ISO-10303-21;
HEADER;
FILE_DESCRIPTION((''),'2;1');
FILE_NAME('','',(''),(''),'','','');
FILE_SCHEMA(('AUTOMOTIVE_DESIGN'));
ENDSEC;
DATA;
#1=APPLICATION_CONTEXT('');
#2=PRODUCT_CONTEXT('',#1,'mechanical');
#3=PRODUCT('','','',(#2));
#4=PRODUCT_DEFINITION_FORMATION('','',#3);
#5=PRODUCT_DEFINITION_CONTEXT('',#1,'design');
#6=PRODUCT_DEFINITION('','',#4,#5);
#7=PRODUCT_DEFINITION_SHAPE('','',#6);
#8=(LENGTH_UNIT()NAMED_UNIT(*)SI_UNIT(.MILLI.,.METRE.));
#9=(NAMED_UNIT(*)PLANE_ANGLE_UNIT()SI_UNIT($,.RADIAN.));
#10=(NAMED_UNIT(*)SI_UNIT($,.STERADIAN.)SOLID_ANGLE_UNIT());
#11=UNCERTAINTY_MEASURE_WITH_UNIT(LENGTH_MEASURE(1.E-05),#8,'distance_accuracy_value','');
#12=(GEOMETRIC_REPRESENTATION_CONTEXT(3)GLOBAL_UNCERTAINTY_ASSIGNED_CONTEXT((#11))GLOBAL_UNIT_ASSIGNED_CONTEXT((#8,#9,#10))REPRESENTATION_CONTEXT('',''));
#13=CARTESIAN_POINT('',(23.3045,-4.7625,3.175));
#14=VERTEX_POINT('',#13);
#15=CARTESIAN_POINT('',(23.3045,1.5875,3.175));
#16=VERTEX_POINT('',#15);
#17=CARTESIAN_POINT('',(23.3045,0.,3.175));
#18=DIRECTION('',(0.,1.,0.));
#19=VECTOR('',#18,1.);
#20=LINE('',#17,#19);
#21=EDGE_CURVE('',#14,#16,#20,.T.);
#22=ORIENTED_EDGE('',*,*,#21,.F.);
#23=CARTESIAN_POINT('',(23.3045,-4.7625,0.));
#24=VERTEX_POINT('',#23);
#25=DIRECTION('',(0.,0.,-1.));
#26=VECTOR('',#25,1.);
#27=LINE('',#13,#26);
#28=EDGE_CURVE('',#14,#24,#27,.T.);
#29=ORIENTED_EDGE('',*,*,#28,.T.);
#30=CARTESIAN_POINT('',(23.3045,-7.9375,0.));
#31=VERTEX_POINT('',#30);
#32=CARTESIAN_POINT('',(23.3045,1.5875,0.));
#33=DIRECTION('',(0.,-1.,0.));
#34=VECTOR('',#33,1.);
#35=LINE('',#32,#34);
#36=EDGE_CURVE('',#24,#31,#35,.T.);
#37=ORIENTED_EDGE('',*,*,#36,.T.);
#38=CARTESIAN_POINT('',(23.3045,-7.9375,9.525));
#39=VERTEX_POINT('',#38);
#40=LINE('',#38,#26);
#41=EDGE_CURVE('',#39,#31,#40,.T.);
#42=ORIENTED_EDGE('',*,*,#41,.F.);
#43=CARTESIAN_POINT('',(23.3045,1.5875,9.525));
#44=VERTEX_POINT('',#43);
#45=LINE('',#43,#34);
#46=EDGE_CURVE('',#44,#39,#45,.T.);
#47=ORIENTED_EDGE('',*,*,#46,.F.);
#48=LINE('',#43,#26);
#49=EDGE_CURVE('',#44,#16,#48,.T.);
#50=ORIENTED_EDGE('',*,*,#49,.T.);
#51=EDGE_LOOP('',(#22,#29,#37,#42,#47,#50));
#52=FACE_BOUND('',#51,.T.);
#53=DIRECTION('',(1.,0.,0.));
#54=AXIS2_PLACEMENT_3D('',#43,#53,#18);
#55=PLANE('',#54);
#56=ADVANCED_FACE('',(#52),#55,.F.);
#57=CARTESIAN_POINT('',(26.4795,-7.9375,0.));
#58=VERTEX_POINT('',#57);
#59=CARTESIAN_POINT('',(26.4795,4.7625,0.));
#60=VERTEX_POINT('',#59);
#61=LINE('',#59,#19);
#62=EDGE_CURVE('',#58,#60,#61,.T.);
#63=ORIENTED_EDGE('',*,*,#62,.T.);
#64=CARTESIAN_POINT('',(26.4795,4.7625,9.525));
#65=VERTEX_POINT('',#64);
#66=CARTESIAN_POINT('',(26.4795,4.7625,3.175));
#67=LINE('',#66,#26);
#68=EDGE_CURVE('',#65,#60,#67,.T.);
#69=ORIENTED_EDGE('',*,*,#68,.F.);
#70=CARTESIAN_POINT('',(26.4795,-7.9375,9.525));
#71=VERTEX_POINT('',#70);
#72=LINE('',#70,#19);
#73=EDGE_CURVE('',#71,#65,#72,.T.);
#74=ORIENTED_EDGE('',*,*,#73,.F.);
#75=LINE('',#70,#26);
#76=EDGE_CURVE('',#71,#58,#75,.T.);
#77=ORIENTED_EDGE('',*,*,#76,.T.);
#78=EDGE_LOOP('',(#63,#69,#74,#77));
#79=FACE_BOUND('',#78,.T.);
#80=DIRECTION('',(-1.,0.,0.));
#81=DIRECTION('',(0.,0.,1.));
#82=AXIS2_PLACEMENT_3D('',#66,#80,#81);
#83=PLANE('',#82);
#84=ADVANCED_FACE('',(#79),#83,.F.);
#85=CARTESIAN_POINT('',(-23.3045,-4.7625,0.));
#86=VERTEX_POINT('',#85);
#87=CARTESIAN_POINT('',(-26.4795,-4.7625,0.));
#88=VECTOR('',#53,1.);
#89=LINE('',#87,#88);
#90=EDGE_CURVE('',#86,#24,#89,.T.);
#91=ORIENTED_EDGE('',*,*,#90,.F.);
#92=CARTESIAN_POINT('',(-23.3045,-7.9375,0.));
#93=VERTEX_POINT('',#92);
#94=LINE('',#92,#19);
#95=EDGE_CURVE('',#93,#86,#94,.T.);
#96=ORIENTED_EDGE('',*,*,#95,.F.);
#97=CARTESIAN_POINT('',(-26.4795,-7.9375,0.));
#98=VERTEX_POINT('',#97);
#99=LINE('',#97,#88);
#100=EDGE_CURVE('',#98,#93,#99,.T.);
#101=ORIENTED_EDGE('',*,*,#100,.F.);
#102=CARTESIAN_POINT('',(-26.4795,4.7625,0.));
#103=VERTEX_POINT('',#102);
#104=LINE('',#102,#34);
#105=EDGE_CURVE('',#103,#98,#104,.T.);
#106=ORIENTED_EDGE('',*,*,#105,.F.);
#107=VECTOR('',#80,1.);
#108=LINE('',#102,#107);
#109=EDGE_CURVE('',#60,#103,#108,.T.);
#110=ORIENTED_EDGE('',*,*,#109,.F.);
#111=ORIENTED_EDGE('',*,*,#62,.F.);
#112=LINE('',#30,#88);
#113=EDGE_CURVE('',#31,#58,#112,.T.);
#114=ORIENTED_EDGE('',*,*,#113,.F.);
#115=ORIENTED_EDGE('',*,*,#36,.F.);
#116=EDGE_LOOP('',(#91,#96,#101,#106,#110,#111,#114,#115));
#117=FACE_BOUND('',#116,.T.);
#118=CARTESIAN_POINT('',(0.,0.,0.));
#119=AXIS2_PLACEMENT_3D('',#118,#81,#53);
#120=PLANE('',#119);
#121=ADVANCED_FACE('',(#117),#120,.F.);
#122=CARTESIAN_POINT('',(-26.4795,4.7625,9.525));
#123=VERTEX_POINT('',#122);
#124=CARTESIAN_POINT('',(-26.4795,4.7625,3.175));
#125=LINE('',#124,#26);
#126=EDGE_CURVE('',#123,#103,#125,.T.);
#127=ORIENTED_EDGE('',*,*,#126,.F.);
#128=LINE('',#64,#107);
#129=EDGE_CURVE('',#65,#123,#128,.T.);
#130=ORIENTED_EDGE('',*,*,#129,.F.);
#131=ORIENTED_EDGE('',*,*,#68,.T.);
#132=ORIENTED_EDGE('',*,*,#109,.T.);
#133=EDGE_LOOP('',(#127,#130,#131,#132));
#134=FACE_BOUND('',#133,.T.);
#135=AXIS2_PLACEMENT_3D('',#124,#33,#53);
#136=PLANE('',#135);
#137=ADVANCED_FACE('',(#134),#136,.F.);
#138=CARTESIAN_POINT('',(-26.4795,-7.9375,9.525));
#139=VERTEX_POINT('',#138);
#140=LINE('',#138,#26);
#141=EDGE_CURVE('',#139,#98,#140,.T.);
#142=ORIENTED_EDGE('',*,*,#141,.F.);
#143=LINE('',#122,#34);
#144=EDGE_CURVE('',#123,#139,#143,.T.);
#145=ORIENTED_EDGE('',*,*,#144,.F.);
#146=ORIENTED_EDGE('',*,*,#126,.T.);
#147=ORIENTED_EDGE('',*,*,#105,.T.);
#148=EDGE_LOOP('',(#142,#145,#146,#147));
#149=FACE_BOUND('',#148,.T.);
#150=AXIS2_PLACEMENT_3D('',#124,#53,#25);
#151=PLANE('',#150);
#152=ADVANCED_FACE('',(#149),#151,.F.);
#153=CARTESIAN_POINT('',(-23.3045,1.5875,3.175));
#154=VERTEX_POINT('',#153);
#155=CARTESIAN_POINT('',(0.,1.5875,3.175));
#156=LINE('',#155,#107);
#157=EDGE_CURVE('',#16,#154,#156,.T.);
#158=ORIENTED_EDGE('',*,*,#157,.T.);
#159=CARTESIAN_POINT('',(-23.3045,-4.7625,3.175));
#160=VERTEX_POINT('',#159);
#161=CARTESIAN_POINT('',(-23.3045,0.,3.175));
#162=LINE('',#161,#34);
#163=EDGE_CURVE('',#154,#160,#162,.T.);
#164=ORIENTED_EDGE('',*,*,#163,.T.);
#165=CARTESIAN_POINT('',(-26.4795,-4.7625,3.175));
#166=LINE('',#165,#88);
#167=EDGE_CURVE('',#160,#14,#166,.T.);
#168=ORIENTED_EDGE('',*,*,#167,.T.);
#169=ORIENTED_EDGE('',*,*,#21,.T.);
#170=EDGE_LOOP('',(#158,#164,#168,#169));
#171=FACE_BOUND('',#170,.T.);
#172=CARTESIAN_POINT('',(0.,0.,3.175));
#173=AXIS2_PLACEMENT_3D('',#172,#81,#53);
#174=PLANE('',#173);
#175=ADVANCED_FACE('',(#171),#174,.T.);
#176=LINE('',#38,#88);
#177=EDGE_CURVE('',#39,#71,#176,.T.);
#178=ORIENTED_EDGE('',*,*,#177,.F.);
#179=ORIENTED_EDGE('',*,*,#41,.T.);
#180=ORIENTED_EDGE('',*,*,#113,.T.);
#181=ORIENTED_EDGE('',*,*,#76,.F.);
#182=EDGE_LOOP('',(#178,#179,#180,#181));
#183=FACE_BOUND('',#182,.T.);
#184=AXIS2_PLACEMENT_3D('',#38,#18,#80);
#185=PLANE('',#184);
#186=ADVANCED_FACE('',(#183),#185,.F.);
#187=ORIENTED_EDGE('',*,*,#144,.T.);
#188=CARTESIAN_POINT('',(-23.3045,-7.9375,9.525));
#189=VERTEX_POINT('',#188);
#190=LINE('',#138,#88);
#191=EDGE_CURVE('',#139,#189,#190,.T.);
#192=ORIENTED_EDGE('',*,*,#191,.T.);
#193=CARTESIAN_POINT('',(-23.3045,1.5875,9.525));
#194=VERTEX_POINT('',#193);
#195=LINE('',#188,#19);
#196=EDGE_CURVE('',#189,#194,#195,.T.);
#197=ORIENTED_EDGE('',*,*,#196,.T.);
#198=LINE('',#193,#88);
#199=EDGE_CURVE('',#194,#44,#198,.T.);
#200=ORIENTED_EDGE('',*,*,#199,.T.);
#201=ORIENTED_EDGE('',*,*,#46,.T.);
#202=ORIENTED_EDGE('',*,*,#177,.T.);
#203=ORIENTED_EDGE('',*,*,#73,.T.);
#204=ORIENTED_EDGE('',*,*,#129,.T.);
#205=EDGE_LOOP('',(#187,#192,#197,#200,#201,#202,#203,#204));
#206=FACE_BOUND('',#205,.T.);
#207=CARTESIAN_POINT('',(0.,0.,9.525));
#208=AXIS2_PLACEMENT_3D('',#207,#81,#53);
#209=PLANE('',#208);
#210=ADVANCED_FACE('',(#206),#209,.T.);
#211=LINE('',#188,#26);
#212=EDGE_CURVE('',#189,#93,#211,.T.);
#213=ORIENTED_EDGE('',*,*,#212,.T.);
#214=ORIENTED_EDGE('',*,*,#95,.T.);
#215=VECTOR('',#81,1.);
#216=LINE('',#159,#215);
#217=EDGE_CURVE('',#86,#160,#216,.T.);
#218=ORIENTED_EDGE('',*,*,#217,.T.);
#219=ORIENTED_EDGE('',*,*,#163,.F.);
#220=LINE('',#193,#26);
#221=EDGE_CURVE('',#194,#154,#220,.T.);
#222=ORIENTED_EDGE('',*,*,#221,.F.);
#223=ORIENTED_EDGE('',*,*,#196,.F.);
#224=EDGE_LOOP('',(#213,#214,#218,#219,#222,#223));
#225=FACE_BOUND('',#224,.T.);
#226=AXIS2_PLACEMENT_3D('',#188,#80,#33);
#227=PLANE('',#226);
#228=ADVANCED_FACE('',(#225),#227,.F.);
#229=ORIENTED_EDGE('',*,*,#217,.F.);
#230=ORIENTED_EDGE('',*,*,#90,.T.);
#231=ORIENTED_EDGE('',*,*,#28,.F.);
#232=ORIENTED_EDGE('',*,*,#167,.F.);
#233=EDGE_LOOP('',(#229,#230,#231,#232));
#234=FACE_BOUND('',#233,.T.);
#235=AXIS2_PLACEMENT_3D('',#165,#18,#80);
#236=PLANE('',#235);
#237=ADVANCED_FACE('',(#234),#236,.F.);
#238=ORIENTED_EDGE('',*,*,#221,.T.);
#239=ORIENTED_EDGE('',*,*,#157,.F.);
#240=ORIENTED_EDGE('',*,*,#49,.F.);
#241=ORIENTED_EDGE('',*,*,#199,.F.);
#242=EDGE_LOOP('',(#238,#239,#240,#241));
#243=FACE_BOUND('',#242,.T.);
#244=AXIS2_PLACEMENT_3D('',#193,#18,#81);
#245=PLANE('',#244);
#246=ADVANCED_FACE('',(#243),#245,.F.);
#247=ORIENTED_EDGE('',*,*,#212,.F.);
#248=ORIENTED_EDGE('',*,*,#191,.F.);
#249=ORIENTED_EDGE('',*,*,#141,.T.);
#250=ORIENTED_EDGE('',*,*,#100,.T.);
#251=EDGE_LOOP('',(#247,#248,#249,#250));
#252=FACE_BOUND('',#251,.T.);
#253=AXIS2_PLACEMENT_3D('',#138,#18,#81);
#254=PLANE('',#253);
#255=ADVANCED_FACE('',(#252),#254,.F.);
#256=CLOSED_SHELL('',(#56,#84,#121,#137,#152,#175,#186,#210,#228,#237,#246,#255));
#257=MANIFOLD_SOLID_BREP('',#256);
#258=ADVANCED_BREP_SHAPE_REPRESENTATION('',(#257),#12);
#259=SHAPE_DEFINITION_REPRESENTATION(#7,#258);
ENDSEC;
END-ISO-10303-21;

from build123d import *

# Parameters (mm, degrees)
SKETCH1_W           = 52.959
SKETCH1_H           = 9.525
BOSS_EXTRUDE3_DEPTH = 3.175
BOSS_EXTRUDE4_DEPTH = 9.525


with BuildPart() as part:
    # Sketch1 → Boss-Extrude3 (new body)
    with BuildSketch(Plane.XY):
        Rectangle(SKETCH1_W, SKETCH1_H)
    extrude(amount=BOSS_EXTRUDE3_DEPTH)

    # Sketch2 → Boss-Extrude4 (add)
    with BuildSketch(Plane.XY):
        Polygon((-26.4795, 4.7625), (-26.4795, -7.9375), (-23.3045, -7.9375), (-23.3045, 1.5875), (23.3045, 1.5875), (23.3045, -7.9375), (26.4795, -7.9375), (26.4795, 4.7625), align=None)
    extrude(amount=BOSS_EXTRUDE4_DEPTH)


solid = part.part
